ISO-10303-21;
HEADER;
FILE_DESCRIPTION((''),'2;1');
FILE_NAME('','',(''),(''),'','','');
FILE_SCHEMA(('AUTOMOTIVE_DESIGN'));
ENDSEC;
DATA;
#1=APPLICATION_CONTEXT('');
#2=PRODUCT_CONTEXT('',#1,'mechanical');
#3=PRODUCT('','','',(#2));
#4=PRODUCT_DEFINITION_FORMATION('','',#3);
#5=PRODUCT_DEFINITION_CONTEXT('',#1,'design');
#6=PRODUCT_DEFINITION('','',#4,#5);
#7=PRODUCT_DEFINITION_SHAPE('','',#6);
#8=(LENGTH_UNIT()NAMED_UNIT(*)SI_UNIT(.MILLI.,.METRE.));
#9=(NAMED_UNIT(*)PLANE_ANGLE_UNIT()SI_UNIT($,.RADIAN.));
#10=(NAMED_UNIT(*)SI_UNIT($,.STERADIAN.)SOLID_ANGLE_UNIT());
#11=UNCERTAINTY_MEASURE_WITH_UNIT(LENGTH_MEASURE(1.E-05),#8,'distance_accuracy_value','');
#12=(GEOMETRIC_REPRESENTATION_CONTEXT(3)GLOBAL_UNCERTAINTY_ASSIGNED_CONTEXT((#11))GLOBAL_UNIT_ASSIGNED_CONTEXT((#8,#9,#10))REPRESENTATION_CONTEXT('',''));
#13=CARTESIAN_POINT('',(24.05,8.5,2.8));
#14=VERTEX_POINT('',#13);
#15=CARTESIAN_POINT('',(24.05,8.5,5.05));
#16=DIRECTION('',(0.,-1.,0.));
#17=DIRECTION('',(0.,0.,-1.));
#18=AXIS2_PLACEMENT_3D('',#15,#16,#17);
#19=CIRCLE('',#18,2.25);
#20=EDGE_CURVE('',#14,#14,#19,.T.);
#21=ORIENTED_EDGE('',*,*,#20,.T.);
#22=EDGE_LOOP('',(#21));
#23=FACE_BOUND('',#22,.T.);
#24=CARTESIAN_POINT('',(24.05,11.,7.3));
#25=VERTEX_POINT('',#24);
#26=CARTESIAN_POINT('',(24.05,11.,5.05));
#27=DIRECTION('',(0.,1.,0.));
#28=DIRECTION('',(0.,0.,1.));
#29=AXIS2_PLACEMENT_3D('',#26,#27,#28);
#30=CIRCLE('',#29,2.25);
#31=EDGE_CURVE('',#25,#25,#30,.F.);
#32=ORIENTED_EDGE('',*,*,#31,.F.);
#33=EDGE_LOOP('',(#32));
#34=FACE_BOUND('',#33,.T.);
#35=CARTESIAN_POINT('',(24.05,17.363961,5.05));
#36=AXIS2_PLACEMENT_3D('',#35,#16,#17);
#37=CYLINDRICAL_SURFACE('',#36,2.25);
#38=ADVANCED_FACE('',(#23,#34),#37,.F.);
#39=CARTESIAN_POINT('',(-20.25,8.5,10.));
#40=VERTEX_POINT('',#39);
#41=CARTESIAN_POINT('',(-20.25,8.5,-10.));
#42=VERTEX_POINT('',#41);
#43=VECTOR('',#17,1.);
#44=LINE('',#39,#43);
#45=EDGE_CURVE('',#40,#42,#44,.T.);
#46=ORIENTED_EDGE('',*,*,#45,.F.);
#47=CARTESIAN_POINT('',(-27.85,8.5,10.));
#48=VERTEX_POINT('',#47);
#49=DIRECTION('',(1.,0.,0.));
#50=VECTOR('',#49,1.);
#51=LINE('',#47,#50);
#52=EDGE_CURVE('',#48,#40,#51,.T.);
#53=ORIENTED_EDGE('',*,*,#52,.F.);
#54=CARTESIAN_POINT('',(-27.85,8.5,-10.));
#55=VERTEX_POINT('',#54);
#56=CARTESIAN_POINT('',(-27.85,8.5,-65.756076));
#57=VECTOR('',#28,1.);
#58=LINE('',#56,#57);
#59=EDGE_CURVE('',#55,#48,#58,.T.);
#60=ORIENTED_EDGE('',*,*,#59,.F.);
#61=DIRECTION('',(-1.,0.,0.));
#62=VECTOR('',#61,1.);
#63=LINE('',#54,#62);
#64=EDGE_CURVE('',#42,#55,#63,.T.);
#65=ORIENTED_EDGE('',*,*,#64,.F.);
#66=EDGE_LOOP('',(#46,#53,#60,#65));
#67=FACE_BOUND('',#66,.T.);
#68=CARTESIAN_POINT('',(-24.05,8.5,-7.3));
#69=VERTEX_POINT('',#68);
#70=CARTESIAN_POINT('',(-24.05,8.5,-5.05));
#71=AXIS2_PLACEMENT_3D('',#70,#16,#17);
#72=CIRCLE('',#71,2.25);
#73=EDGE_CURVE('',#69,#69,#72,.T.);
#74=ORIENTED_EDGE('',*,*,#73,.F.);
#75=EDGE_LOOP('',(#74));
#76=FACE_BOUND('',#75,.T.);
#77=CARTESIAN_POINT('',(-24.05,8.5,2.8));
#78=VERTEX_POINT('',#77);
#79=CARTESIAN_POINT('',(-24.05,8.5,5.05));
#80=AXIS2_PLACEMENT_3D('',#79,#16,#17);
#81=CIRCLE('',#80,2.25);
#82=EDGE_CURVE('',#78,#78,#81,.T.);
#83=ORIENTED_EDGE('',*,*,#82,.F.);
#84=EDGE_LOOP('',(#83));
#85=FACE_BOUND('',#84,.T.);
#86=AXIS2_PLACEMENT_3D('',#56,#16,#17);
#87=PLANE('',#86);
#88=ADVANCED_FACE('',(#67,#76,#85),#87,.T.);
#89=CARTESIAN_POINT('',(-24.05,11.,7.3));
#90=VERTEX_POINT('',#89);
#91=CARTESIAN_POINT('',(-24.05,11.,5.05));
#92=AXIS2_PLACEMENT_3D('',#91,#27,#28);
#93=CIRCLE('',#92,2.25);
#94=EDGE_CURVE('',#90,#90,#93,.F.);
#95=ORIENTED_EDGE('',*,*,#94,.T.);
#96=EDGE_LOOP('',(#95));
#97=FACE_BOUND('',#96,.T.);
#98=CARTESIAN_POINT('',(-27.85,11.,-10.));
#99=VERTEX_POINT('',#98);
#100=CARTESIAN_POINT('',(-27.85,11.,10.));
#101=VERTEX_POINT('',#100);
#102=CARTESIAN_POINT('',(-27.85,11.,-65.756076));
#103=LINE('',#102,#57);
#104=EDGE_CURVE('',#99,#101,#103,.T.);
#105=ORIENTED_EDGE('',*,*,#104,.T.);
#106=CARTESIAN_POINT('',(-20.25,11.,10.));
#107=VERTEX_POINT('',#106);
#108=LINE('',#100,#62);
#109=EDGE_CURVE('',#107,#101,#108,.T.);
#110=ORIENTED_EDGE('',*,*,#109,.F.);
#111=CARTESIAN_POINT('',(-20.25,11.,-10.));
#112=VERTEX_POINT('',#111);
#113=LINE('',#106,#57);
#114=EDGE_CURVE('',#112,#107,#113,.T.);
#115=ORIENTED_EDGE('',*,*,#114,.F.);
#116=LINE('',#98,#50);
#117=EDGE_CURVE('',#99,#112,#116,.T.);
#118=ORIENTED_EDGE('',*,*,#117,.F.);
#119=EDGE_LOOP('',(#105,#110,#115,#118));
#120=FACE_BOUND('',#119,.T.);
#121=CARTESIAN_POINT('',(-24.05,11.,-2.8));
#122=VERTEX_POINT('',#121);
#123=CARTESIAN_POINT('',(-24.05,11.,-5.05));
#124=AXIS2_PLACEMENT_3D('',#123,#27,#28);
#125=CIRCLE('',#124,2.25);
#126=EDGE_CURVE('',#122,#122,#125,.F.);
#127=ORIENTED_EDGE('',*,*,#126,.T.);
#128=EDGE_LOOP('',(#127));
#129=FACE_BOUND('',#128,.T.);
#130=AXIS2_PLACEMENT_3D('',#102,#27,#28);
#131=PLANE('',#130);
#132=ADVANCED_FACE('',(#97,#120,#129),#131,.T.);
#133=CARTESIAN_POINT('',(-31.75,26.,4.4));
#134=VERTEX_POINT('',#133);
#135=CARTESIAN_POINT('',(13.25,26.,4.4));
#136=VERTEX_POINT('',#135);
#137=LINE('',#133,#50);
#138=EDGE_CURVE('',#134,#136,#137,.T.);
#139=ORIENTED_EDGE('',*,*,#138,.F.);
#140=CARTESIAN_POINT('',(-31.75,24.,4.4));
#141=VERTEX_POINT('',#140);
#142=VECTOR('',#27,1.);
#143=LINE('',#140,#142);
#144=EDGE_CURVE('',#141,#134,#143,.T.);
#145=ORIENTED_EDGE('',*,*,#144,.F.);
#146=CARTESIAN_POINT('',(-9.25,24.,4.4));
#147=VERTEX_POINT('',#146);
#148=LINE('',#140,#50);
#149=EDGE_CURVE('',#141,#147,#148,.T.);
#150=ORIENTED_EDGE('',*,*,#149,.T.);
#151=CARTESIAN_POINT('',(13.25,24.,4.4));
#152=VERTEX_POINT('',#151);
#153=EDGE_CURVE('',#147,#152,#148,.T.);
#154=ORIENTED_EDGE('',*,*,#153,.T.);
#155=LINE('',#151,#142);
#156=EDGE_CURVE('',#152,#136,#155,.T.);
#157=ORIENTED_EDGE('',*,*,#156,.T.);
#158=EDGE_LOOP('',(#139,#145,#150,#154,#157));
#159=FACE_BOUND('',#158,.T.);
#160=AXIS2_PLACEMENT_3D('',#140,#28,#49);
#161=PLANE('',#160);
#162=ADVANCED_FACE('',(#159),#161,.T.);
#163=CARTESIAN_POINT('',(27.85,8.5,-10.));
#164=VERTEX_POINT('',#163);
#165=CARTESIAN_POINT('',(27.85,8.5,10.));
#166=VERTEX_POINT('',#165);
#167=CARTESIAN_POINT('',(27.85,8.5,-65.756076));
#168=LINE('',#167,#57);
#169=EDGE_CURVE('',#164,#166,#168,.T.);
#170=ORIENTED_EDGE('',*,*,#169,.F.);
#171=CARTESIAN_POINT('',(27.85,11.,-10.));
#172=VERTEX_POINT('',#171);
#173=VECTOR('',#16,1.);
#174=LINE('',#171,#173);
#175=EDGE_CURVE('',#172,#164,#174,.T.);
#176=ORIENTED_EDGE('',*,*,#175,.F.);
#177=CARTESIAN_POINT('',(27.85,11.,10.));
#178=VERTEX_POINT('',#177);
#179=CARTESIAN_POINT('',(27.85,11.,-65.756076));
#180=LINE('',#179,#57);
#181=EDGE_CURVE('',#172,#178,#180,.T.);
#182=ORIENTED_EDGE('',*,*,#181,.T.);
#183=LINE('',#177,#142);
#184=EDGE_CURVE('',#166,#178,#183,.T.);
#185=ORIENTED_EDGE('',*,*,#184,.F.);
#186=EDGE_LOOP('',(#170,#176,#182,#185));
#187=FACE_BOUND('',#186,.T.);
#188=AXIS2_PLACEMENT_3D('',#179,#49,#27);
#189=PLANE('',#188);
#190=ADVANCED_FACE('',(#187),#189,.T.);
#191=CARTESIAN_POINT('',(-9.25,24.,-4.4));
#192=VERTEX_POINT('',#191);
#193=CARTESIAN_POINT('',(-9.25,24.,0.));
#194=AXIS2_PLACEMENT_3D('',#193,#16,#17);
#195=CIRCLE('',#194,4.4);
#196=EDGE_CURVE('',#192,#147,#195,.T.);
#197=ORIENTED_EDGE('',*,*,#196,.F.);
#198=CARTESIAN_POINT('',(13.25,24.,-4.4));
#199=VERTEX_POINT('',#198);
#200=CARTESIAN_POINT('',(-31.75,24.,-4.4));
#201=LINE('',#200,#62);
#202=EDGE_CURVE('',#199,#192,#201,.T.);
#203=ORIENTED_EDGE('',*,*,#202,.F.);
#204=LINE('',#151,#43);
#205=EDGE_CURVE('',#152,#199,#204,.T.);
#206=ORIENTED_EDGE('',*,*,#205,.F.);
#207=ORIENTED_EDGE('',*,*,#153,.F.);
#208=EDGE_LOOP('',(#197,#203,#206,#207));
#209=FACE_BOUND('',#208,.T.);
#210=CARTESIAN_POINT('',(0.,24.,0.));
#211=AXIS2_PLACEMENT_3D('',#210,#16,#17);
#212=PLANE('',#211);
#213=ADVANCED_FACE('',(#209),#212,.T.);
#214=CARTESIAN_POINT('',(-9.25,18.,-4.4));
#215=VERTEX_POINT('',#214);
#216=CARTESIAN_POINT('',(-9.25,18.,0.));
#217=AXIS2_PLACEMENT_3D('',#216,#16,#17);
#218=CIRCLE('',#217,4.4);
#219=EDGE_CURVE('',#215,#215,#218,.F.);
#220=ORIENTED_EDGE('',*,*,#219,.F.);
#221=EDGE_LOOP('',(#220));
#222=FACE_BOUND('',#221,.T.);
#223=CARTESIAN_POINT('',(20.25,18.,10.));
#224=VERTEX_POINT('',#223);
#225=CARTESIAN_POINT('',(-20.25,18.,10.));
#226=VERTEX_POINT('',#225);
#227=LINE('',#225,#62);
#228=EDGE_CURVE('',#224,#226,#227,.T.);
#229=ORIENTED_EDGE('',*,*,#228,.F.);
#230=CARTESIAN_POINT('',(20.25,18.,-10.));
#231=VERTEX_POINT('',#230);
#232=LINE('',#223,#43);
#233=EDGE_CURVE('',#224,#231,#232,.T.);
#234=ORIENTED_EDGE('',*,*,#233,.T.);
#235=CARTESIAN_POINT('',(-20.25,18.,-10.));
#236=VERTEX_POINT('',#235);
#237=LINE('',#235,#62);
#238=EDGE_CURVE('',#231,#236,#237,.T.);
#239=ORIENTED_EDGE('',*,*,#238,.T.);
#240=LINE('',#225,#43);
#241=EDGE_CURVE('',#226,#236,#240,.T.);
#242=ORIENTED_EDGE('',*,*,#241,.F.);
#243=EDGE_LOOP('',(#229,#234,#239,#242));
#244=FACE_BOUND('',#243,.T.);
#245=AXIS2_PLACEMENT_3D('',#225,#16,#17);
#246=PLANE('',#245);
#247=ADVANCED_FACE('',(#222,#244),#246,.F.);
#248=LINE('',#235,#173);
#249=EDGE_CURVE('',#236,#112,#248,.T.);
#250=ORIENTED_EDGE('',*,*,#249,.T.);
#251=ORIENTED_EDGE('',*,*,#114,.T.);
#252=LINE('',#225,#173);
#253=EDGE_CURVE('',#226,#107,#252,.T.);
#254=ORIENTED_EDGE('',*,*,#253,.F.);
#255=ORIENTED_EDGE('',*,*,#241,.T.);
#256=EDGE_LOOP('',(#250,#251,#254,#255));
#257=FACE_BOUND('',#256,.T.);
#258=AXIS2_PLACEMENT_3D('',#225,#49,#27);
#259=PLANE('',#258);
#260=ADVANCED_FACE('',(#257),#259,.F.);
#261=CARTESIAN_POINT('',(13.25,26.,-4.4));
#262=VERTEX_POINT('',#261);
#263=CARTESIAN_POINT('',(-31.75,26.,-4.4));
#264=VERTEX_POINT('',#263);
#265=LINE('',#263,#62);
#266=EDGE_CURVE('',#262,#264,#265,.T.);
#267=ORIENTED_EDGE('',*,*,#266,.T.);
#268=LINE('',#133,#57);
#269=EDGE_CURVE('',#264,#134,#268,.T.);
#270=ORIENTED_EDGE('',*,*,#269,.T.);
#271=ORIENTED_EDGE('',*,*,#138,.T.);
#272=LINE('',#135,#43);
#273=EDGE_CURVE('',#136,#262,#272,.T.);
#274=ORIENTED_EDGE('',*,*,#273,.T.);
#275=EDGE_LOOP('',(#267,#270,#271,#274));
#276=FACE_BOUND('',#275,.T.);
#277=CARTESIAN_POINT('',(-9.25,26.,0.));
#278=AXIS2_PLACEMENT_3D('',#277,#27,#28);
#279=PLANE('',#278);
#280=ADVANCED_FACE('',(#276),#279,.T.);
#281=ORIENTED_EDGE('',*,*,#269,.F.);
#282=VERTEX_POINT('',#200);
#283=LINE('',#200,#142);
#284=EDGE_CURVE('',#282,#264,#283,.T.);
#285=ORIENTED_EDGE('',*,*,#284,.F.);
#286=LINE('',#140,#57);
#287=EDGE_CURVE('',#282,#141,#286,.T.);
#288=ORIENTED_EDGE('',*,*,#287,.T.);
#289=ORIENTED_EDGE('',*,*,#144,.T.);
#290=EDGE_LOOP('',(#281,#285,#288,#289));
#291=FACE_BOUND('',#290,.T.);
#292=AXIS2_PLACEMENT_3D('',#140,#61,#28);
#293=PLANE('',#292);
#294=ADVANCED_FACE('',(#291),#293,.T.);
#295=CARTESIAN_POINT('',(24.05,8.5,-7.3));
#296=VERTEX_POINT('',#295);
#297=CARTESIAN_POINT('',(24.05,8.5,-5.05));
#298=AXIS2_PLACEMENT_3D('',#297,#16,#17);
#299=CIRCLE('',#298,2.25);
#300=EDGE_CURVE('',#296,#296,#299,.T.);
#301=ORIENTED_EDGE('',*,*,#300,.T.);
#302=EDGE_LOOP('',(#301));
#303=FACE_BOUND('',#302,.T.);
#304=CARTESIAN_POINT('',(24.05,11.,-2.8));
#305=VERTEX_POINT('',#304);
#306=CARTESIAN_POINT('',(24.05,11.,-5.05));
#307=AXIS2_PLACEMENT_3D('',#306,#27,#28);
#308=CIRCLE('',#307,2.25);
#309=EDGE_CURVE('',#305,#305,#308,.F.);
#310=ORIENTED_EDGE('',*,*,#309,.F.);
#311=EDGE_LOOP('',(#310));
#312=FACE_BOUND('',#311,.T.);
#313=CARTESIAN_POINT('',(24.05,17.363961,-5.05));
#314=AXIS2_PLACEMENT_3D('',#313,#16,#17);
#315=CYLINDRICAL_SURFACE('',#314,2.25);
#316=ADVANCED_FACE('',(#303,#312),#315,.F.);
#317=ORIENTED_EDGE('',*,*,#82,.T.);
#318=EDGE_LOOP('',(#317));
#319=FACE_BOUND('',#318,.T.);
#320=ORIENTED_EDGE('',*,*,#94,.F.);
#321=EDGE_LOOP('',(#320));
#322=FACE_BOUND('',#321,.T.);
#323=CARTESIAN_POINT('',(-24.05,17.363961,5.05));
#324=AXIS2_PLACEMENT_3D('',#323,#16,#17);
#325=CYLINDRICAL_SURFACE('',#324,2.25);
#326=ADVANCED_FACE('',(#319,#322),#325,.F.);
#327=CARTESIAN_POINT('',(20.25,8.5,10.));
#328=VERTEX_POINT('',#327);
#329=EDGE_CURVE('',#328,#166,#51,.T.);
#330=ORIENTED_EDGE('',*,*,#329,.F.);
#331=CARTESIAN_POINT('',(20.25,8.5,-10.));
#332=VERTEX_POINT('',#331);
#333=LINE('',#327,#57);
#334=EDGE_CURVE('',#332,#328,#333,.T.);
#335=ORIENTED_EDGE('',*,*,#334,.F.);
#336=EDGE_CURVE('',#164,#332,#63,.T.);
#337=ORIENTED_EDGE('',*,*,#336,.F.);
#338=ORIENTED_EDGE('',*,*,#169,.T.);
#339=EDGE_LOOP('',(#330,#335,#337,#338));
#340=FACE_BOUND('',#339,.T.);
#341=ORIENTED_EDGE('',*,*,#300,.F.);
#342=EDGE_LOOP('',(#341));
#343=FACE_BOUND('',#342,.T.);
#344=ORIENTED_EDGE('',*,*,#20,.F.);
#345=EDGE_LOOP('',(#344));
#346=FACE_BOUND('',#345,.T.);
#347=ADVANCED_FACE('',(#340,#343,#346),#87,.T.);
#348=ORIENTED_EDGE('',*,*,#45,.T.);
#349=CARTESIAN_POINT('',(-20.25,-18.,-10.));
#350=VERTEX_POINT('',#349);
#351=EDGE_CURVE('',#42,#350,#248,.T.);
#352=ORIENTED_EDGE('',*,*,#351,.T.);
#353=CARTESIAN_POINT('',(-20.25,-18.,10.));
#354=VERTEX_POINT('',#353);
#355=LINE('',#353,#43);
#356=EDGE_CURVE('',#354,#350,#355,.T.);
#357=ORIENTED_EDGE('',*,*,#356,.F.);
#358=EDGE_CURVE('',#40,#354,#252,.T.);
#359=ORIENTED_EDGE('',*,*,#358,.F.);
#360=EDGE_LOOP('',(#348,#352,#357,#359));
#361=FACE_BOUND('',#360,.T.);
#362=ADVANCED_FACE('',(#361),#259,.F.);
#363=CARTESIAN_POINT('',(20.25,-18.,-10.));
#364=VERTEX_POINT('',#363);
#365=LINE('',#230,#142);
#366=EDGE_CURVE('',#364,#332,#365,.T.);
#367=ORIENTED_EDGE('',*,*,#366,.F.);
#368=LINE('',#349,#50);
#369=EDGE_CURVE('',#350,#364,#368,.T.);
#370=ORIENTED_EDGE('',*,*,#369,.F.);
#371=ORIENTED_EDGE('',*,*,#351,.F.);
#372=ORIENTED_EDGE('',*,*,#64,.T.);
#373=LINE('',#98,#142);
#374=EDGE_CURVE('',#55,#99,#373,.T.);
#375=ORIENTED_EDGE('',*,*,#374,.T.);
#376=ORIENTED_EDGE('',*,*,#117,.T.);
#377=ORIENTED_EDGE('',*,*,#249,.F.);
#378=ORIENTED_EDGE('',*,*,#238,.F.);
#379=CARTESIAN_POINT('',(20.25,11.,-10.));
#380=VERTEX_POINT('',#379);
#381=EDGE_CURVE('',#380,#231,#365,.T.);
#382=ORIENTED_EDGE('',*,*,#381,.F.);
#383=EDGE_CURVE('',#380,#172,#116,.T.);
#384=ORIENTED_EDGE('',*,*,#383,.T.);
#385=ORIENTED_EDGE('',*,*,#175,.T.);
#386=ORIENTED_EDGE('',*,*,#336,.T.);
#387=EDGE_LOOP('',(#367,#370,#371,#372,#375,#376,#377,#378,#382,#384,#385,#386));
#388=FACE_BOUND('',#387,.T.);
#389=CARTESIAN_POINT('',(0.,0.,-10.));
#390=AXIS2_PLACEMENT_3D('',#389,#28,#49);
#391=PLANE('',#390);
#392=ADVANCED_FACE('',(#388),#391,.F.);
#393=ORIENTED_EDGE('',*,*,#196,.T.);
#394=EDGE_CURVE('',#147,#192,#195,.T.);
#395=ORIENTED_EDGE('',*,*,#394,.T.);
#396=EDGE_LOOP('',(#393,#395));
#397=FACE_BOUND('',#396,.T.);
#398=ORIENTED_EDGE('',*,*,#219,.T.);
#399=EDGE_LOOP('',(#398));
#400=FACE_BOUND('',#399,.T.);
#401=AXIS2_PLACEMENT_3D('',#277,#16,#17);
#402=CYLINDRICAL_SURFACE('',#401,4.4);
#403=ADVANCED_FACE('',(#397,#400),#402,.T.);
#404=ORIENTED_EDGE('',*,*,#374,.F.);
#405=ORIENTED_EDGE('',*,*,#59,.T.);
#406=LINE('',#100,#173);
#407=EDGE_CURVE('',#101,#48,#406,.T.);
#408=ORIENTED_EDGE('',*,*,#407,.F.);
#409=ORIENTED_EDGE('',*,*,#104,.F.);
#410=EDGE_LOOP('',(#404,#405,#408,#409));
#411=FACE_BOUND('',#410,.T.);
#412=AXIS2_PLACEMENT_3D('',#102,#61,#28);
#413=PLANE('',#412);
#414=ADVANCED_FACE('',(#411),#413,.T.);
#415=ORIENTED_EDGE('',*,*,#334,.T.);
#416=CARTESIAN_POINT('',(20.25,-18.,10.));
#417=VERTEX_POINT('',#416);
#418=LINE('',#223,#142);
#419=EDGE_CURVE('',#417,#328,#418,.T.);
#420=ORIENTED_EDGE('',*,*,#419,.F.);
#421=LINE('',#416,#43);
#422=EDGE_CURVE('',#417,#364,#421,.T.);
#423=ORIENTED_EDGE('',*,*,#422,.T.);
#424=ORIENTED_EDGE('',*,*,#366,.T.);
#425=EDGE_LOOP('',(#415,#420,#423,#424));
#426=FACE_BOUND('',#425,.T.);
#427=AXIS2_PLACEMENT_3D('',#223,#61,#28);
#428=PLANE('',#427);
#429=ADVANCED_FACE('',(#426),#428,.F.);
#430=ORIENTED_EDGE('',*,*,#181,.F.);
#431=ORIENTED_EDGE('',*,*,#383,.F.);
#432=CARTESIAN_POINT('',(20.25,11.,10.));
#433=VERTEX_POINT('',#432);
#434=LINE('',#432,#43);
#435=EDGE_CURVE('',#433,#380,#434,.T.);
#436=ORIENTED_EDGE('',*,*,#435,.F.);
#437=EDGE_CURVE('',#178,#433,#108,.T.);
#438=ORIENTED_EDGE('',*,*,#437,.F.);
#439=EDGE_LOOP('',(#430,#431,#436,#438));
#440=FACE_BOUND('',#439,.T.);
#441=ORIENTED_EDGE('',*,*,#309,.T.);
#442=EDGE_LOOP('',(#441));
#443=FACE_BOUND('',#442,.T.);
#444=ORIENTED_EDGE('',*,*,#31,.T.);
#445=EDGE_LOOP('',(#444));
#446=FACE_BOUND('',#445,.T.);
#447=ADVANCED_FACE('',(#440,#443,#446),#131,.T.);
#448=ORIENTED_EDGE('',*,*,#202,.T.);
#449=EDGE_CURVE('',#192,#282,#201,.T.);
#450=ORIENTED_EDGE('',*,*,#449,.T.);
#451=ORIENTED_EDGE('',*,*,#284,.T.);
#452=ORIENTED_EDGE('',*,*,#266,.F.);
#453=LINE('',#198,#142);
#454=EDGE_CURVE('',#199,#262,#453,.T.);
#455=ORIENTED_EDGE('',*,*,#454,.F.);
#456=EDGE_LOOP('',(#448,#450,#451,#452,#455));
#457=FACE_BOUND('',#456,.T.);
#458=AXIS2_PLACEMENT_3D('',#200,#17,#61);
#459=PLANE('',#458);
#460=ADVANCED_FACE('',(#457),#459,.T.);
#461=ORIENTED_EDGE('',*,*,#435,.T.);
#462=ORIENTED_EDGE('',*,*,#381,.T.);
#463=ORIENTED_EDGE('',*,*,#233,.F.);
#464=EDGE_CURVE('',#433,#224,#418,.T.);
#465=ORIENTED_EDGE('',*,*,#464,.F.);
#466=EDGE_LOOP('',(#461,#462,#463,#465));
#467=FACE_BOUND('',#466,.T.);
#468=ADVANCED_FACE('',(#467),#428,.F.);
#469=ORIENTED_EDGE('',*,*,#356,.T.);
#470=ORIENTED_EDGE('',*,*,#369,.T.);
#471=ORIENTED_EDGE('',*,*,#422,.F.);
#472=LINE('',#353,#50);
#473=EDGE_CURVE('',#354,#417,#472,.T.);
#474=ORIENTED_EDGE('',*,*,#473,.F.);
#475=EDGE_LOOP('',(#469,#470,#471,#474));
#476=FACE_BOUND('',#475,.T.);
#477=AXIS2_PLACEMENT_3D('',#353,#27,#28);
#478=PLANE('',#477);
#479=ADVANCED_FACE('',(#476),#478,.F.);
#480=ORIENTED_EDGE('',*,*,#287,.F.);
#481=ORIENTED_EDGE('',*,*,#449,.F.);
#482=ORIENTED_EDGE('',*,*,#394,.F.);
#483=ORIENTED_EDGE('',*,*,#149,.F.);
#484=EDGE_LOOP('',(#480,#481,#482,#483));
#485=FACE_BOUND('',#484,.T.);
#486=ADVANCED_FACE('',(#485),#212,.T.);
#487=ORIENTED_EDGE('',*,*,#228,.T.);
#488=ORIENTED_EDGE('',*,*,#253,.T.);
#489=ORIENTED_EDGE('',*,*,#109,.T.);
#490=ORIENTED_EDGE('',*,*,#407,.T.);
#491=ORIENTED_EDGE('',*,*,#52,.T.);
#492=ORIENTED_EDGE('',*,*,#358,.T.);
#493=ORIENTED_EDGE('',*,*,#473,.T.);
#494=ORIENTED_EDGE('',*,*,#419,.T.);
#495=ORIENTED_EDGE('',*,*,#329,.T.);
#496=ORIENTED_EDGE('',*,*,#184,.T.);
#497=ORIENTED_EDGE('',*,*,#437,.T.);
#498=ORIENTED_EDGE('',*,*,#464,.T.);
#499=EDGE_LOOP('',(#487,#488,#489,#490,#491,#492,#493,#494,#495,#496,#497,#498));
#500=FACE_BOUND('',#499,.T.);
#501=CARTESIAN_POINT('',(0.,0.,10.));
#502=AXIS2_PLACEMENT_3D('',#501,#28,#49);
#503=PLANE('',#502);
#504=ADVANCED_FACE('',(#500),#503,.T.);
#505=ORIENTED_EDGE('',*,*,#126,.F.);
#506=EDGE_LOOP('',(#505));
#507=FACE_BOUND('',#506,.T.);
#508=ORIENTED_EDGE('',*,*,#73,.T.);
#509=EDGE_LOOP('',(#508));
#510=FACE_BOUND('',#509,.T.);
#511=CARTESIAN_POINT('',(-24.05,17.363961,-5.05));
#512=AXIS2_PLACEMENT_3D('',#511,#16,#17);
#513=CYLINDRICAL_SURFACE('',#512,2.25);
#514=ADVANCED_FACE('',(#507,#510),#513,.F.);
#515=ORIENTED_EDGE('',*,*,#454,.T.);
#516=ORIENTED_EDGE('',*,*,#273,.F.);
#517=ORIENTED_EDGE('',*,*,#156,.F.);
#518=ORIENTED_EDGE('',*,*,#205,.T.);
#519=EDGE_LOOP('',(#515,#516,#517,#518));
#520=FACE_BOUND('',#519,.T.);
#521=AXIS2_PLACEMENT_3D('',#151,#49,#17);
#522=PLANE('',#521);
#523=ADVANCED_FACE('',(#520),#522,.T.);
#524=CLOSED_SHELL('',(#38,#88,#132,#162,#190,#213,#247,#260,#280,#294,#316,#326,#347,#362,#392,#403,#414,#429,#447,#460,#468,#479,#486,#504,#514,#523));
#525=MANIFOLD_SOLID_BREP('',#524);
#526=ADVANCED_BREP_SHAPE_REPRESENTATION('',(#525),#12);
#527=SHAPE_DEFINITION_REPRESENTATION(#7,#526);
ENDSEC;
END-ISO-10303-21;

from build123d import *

# Parameters (mm, degrees)
SKETCH1_W           = 40.5
SKETCH1_H           = 36
BOSS_EXTRUDE1_DEPTH = 10
SKETCH2_W           = 55.7
SKETCH2_H           = 2.5
BOSS_EXTRUDE2_DEPTH = 20
SKETCH3_R           = 4.4
BOSS_EXTRUDE3_DEPTH = 8
SKETCH4_W           = 45
SKETCH4_H           = 8.8
BOSS_EXTRUDE4_DEPTH = 2
SKETCH5_R           = 2.25
CUT_EXTRUDE1_DEPTH  = 2.5


with BuildPart() as part:
    # Sketch1 → Boss-Extrude1 (new, symmetric)
    with BuildSketch(Plane.XY):
        Rectangle(SKETCH1_W, SKETCH1_H)
    extrude(amount=BOSS_EXTRUDE1_DEPTH, both=True)

    # Sketch2 → Boss-Extrude2 (add)
    with BuildSketch(Plane.XY.offset(10)):
        with Locations((0, 9.75)):
            Rectangle(SKETCH2_W, SKETCH2_H)
    extrude(amount=-BOSS_EXTRUDE2_DEPTH)

    # Sketch3 → Boss-Extrude3 (add)
    with BuildSketch(Plane(origin=(0, 18, 0), x_dir=(1, 0, 0), z_dir=(0, 1, 0))):
        with Locations(Location((-9.25, 0, 0), (0, 0, 90))):
            Circle(SKETCH3_R)
    extrude(amount=BOSS_EXTRUDE3_DEPTH)

    # Sketch4 → Boss-Extrude4 (add)
    with BuildSketch(Plane(origin=(0, 26, 0), x_dir=(1, 0, 0), z_dir=(0, 1, 0))):
        with Locations((-9.25, 0)):
            Rectangle(SKETCH4_W, SKETCH4_H)
    extrude(amount=-BOSS_EXTRUDE4_DEPTH)

    # Sketch5 → Cut-Extrude1 (cut)
    with BuildSketch(Plane.XZ.offset(-8.5)):
        with Locations(Location((-24.05, -5.05, 0), (0, 0, 270))):
            Circle(SKETCH5_R)
        with Locations(Location((-24.05, 5.05, 0), (0, 0, 270))):
            Circle(SKETCH5_R)
        with Locations(Location((24.05, -5.05, 0), (0, 0, 270))):
            Circle(SKETCH5_R)
        with Locations(Location((24.05, 5.05, 0), (0, 0, 270))):
            Circle(SKETCH5_R)
    extrude(amount=-CUT_EXTRUDE1_DEPTH, mode=Mode.SUBTRACT)


solid = part.part
